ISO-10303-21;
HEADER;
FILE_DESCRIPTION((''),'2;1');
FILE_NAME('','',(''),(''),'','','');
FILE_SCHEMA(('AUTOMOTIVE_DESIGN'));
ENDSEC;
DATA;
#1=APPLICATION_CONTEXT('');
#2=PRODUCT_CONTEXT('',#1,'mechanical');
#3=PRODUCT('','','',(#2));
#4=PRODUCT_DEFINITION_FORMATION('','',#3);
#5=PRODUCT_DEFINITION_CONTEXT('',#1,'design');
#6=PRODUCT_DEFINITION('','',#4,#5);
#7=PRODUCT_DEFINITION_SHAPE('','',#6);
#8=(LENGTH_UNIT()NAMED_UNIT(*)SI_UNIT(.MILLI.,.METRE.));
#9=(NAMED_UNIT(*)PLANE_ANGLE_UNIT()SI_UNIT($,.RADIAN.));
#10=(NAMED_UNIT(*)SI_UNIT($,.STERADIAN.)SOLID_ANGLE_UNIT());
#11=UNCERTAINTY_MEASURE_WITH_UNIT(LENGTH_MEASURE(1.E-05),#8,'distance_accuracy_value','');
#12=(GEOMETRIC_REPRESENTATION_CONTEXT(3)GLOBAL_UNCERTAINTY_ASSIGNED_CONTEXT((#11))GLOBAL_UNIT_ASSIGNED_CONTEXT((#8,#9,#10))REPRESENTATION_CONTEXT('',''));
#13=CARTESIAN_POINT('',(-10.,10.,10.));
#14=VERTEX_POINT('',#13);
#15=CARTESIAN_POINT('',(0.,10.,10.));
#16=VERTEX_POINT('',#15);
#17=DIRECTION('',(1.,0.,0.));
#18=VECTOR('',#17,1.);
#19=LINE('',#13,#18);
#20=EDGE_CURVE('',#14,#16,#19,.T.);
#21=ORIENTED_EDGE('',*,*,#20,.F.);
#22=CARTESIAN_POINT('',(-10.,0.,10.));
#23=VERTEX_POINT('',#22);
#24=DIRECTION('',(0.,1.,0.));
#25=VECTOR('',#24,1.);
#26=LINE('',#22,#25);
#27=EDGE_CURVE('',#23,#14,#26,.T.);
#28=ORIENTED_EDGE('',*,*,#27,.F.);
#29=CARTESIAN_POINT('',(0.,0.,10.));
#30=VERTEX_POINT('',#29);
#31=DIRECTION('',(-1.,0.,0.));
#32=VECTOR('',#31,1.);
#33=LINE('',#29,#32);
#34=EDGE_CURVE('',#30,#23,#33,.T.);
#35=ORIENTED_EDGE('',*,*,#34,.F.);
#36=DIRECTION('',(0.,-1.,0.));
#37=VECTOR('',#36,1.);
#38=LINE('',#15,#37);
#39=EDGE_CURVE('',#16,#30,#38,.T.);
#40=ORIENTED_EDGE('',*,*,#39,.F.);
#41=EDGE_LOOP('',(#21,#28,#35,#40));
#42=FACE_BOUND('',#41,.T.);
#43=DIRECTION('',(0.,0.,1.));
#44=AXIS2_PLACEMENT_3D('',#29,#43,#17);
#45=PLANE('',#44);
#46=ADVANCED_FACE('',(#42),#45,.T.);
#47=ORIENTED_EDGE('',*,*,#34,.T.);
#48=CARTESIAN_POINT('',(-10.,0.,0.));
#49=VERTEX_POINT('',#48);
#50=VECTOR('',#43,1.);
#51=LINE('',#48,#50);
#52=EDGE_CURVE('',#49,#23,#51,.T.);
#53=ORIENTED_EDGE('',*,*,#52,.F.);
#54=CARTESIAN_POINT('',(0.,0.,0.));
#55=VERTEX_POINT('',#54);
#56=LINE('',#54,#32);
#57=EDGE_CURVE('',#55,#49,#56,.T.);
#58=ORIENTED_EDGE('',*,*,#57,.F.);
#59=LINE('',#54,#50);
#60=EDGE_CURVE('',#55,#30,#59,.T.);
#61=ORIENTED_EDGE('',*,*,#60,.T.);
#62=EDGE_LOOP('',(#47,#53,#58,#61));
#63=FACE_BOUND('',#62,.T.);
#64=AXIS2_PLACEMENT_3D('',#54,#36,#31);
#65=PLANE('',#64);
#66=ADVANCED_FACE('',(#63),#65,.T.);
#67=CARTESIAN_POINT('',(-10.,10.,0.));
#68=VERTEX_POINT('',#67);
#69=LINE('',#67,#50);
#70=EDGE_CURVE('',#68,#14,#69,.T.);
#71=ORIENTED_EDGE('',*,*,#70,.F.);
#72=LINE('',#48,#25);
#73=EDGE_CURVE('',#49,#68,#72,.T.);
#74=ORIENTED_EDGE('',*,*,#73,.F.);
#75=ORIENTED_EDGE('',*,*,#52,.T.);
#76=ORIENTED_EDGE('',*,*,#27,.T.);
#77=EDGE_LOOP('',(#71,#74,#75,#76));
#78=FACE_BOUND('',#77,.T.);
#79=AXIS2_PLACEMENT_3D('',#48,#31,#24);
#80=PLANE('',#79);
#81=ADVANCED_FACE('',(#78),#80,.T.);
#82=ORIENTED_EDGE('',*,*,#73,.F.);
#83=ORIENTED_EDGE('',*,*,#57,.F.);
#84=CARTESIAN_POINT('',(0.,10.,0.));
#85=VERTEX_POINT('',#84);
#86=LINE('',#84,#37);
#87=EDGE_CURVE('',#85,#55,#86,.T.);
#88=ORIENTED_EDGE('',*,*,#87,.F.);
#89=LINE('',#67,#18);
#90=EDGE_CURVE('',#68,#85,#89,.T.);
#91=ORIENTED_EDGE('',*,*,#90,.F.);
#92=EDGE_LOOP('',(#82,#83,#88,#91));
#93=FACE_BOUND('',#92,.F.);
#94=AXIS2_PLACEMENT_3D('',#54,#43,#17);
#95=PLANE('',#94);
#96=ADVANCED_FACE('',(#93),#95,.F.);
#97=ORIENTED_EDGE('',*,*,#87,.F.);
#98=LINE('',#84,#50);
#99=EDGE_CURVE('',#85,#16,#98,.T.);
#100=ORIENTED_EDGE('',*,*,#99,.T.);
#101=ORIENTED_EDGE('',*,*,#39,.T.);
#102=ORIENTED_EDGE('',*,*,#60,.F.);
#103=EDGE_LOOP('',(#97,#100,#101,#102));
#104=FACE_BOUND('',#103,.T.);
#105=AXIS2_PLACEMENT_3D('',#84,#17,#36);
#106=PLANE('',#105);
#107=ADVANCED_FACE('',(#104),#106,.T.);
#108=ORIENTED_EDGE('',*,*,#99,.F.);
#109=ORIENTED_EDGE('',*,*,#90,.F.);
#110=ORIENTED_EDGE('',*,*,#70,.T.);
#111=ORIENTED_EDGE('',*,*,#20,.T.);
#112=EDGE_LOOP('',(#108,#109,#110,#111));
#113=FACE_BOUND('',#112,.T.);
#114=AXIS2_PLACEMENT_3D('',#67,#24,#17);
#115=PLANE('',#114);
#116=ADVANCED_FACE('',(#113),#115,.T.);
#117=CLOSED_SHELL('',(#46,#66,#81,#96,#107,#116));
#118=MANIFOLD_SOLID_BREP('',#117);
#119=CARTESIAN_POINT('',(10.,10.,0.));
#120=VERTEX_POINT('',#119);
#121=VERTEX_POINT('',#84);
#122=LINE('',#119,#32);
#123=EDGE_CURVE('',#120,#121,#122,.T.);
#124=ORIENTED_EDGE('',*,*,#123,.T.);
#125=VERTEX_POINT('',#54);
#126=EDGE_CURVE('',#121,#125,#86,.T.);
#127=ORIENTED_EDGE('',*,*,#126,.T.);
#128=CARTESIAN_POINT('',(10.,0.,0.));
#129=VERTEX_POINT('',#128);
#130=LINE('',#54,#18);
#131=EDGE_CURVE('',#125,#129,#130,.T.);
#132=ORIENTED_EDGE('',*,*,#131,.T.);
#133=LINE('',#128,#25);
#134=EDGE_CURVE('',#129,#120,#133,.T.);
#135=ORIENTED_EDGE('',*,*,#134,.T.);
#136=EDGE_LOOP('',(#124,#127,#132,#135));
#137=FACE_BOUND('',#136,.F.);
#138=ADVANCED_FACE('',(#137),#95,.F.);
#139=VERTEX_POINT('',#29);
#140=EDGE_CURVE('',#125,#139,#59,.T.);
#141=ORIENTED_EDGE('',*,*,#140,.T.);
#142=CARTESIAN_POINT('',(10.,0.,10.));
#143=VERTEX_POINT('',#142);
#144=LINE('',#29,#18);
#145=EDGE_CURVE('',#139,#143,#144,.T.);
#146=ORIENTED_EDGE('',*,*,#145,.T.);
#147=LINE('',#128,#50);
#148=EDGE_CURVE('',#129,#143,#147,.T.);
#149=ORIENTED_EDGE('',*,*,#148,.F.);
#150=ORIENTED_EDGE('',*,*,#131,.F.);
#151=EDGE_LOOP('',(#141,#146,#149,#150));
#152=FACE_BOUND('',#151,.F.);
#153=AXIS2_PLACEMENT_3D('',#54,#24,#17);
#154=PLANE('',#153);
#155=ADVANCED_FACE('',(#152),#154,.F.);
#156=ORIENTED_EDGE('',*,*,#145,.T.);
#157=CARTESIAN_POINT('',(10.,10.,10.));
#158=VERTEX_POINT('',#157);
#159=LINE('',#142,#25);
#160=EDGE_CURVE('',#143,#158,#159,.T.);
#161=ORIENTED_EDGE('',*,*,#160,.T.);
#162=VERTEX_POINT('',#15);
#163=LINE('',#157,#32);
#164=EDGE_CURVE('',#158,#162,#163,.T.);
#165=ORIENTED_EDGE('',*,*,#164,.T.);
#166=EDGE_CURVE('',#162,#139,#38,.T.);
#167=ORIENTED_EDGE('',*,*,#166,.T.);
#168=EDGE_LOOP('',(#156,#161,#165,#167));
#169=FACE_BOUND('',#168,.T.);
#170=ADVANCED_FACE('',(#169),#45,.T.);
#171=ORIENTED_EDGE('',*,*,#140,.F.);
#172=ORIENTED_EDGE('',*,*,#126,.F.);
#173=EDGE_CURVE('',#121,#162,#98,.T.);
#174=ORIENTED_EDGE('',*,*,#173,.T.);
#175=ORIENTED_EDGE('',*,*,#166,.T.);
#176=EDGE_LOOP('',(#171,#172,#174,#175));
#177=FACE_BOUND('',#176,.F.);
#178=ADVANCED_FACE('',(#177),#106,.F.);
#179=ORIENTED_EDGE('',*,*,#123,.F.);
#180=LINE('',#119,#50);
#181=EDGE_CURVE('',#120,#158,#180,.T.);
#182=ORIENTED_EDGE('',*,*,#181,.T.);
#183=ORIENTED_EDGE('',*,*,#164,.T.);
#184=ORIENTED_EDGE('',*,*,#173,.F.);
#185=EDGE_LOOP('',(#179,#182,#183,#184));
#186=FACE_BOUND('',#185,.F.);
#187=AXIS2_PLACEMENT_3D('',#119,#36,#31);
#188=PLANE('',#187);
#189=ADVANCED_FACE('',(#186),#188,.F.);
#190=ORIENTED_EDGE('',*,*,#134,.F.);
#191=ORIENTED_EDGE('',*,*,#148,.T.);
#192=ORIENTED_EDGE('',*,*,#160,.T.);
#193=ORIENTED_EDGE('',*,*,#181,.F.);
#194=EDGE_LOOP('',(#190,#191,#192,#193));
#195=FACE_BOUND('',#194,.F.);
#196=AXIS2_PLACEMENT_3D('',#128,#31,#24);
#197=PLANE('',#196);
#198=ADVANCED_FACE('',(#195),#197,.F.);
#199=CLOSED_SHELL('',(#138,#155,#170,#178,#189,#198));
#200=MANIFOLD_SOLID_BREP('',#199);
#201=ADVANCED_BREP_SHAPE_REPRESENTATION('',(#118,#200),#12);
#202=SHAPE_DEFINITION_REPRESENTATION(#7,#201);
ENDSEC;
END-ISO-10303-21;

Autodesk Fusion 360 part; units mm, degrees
sketch "Sketch1" plane through (0, 0, 0) normal (0, 0, 1) x (1, 0, 0)
  line L0 (0, 0) -> (-10, 0)
  line L1 (-10, 0) -> (-10, 10)
  line L2 (-10, 10) -> (0, 10)
  line L3 (0, 10) -> (0, 0)
  line L4 (0, 0) -> (10, 0)
  line L5 (10, 0) -> (10, 10)
  line L6 (10, 10) -> (0, 10)
  line L7 (0, 10) -> (0, 0)
  line L8 (-10, 10) -> (0, 10)
  line L9 (0, 10) -> (0, -10)
  line L10 (0, -10) -> (-10, -10)
  line L11 (-10, -10) -> (-10, 10)
extrude "Extrude1" add sketch "Sketch1" along normal blind 10 contours L3 L4 L5 L6 L7 L9 makes body 1
extrude "Extrude2" add sketch "Sketch1" along normal blind 10 separate body contours L0 L1 L2 L3 L7 L8 L9 L11 makes body 2
